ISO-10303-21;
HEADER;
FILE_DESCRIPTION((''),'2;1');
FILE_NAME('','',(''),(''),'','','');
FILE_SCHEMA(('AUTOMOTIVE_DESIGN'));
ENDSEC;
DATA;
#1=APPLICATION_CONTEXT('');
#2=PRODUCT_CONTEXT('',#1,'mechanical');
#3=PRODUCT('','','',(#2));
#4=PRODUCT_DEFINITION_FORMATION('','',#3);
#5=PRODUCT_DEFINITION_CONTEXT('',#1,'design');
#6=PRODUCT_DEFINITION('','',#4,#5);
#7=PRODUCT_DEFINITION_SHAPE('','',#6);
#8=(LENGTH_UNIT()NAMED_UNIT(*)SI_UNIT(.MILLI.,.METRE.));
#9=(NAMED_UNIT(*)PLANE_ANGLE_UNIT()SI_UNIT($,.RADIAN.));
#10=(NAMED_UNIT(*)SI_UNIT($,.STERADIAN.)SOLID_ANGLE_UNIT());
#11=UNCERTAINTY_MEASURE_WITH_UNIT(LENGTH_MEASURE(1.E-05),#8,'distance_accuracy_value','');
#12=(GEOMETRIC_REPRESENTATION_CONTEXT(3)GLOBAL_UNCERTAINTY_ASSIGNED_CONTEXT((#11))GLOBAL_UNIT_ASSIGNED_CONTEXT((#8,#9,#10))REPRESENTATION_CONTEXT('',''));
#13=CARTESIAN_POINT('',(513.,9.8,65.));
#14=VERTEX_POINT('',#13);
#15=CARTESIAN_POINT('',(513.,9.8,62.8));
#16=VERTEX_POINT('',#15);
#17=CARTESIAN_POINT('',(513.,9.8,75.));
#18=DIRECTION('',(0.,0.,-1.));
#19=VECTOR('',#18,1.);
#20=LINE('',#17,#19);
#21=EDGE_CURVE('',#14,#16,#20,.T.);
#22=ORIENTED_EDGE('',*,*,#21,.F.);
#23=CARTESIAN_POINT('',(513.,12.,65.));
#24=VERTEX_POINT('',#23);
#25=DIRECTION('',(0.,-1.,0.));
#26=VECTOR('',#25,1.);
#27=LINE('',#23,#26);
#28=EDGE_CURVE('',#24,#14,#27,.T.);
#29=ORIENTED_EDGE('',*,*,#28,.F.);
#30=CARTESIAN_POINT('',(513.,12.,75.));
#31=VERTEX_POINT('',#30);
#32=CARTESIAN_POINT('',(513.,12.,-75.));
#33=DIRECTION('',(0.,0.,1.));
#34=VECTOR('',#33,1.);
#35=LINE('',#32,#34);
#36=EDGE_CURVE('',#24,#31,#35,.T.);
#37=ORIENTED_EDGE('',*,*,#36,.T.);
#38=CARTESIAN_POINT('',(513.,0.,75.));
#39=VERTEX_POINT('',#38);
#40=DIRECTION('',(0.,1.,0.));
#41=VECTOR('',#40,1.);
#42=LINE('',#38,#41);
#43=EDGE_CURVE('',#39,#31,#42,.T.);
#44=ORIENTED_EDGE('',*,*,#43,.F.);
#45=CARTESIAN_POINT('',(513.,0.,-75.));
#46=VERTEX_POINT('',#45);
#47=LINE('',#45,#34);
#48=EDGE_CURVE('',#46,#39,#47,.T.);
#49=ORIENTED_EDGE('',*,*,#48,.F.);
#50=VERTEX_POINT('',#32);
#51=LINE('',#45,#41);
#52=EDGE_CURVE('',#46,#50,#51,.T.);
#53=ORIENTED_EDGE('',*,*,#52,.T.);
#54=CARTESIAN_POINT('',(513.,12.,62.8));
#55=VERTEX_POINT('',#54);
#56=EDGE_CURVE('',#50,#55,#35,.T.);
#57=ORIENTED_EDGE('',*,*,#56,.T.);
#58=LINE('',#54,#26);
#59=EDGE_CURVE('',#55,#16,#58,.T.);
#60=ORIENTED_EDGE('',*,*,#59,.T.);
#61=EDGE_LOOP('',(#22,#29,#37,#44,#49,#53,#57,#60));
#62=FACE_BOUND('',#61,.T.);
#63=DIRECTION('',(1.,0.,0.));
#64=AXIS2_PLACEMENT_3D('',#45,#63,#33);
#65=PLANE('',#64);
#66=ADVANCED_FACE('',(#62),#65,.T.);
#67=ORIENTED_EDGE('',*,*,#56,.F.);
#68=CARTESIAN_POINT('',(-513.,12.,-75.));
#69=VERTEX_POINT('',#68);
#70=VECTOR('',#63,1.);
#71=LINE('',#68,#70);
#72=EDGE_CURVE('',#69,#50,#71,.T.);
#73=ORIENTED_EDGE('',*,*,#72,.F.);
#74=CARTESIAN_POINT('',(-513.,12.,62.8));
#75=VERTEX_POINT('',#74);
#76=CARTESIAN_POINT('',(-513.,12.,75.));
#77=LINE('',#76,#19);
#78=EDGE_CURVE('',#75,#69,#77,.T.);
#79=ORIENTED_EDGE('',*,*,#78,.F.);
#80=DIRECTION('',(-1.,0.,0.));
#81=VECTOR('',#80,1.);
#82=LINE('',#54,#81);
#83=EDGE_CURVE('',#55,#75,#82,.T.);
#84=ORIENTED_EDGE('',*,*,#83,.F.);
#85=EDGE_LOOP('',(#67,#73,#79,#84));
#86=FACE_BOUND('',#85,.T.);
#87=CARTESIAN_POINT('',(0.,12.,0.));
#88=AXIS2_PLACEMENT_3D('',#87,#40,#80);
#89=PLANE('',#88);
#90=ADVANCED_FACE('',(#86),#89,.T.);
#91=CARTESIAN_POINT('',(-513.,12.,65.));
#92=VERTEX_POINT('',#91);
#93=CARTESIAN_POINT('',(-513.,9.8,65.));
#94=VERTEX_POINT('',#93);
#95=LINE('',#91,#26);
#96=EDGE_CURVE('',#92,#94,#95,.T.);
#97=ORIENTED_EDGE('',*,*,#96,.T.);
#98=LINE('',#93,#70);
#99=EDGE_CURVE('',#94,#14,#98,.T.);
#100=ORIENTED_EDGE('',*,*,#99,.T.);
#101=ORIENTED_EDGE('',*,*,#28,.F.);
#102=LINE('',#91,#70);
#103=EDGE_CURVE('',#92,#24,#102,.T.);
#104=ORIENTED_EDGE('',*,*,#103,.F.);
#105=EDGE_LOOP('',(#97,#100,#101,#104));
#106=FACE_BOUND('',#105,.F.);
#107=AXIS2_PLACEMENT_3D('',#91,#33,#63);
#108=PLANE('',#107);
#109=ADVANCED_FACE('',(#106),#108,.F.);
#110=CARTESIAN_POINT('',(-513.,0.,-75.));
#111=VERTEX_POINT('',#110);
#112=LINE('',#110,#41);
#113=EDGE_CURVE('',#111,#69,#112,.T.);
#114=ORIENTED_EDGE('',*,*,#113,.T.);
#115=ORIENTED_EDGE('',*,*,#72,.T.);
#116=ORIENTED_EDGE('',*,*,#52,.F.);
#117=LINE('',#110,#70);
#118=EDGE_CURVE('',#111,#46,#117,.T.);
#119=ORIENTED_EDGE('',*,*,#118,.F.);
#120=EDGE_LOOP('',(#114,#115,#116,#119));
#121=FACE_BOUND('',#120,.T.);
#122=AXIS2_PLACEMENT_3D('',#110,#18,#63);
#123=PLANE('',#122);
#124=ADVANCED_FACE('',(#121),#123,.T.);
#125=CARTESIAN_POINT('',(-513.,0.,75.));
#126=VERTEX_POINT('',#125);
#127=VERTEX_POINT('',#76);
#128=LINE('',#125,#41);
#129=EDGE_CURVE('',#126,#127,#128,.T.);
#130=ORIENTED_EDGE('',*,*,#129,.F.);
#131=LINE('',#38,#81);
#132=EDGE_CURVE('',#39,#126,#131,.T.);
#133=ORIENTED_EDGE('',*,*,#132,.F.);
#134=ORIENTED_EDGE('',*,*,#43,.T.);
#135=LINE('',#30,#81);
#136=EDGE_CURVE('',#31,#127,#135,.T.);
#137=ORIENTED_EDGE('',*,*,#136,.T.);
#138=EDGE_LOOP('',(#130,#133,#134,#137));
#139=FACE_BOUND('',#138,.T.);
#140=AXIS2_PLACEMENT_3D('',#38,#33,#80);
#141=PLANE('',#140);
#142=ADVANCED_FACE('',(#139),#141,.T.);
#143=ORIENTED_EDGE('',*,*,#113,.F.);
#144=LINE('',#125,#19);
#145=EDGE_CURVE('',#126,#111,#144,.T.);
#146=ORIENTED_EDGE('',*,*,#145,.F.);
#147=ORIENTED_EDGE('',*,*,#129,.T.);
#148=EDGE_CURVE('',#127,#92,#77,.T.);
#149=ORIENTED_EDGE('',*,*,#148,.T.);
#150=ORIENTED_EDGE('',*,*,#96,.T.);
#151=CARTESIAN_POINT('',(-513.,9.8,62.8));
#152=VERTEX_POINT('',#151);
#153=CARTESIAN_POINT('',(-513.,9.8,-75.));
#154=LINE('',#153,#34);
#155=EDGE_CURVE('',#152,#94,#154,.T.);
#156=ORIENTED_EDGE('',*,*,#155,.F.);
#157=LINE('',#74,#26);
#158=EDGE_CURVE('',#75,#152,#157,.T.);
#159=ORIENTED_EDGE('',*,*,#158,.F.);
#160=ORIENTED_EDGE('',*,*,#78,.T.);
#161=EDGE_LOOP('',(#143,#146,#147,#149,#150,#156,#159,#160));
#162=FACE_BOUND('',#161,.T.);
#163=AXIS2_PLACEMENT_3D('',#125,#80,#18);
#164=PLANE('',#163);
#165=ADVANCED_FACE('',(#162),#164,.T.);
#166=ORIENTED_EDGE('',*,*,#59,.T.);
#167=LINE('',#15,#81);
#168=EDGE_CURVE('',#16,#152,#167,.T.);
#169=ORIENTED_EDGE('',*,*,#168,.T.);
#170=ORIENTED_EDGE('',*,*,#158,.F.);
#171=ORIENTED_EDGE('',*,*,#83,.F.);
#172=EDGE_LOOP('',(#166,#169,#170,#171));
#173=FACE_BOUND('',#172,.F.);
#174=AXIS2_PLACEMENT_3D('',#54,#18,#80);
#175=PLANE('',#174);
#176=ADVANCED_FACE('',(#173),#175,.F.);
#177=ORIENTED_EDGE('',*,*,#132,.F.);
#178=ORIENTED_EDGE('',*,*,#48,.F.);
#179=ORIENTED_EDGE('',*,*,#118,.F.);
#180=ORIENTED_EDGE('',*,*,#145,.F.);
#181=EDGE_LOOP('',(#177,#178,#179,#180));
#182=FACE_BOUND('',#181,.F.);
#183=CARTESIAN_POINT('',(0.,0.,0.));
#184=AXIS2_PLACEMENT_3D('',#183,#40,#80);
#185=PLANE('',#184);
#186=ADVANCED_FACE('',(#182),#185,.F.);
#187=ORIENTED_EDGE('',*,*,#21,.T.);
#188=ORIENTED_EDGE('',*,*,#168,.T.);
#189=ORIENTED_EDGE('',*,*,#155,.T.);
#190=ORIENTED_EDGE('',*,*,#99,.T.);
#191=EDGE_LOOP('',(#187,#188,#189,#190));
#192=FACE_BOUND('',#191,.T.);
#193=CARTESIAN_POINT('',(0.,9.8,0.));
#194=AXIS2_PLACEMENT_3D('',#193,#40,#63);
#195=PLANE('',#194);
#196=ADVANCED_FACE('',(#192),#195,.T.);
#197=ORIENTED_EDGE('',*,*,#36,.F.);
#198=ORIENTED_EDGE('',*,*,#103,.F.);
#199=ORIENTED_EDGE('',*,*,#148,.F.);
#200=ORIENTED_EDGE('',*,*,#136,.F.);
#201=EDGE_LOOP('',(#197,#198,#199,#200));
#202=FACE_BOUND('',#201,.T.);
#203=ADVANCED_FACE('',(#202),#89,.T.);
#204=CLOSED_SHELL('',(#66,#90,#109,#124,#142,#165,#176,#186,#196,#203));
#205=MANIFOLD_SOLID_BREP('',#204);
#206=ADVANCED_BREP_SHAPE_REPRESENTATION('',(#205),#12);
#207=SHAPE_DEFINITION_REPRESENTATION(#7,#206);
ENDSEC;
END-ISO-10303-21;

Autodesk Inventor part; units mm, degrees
ref_plane "YZ Plane" through (0, 0, 0) normal (1, 0, 0) x (0, 1, 0)
ref_plane "XZ Plane" through (0, 0, 0) normal (0, 1, 0) x (-1, 0, 0)
ref_plane "XY Plane" through (0, 0, 0) normal (0, 0, 1) x (1, 0, 0)
sketch "Skizze1" plane through (0, 0, 0) normal (0, 1, 0) x (-1, 0, 0)
  line L0 (-513, 75) -> (513, 75)
  line L1 (513, 75) -> (513, -75)
  line L2 (513, -75) -> (-513, -75)
  line L3 (-513, -75) -> (-513, 75)
  point P0 (0, 0)
  point P1 (0, 75)
  point P2 (513, 0)
  dimension "d0" = 1026
  dimension "d1" = 150
extrude "Extrusion1" add sketch "Skizze1" along normal blind 12
sketch "Skizze2" plane through (0, 12, 0) normal (0, 1, 0) x (1, 0, 0)
  line L0 (513, 75) -> (-513, 75) projected
  line L1 (-513, 75) -> (-513, -75) projected
  line L2 (-513, -75) -> (513, -75) projected
  line L3 (513, -75) -> (513, 75) projected
  line L4 (-513, -65) -> (513, -65)
  line L5 (513, -65) -> (513, -62.8)
  line L6 (513, -62.8) -> (-513, -62.8)
  line L7 (-513, -62.8) -> (-513, -65)
  point P0 (0, 0)
  dimension "d4" = 2.2
  dimension "d5" = 10
extrude "Extrusion2" cut sketch "Skizze2" against normal blind 2.2 contours L3 L4 L1 L6
equation "\"d6\" = d4"
properties part number "Längsseite_Gehäuse" material "Holz (Kirsche)"
